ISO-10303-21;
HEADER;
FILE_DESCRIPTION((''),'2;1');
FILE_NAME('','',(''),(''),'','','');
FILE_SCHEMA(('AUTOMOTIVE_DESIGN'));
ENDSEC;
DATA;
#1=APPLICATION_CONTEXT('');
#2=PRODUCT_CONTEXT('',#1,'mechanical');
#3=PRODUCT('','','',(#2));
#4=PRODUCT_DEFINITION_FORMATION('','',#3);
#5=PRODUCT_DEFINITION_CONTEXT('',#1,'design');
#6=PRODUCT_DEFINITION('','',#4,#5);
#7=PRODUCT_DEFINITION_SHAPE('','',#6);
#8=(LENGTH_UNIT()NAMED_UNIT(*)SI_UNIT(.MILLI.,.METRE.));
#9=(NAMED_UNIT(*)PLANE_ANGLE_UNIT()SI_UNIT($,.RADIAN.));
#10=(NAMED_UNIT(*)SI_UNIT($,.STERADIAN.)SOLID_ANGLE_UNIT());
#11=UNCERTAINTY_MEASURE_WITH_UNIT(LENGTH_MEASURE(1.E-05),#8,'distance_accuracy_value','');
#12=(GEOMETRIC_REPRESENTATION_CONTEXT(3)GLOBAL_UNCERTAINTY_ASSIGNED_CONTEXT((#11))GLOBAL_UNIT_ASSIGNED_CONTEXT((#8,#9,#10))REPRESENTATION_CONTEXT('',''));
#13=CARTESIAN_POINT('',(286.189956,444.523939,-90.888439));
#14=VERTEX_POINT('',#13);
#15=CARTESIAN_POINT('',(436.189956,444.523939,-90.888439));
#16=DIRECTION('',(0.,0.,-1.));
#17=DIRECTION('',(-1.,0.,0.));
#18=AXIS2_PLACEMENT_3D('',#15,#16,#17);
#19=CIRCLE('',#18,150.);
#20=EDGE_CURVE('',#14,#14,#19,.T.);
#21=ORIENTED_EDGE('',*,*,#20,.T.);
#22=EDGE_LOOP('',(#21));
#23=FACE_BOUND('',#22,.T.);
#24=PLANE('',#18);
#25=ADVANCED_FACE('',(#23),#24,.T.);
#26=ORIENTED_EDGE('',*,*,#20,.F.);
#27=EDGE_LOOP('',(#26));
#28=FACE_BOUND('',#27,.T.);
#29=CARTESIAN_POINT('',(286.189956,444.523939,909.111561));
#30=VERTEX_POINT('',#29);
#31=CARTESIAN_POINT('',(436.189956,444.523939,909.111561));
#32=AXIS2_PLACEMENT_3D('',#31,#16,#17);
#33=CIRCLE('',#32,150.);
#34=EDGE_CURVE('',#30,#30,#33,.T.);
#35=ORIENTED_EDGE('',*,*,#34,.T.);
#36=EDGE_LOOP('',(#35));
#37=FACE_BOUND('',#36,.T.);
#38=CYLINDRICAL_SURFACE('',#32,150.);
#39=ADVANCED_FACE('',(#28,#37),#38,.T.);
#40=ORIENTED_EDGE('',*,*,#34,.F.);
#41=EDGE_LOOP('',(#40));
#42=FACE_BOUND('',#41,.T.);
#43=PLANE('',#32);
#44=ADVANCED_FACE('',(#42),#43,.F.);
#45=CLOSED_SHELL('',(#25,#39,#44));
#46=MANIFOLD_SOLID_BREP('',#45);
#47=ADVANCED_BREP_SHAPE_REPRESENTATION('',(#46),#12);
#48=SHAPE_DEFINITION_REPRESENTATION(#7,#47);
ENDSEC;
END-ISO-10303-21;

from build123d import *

# Parameters (mm, degrees)
SKETCH1_R           = 150
BOSS_EXTRUDE1_DEPTH = 1000


with BuildPart() as part:
    # Sketch1 → Boss-Extrude1 (new body)
    with BuildSketch(Plane(origin=(0, 0, -90.888438811), x_dir=(-1, 0, 0), z_dir=(0, 0, -1))):
        with Locations((-436.189955595, 444.523939136)):
            Circle(SKETCH1_R)
    extrude(amount=-BOSS_EXTRUDE1_DEPTH)


solid = part.part
